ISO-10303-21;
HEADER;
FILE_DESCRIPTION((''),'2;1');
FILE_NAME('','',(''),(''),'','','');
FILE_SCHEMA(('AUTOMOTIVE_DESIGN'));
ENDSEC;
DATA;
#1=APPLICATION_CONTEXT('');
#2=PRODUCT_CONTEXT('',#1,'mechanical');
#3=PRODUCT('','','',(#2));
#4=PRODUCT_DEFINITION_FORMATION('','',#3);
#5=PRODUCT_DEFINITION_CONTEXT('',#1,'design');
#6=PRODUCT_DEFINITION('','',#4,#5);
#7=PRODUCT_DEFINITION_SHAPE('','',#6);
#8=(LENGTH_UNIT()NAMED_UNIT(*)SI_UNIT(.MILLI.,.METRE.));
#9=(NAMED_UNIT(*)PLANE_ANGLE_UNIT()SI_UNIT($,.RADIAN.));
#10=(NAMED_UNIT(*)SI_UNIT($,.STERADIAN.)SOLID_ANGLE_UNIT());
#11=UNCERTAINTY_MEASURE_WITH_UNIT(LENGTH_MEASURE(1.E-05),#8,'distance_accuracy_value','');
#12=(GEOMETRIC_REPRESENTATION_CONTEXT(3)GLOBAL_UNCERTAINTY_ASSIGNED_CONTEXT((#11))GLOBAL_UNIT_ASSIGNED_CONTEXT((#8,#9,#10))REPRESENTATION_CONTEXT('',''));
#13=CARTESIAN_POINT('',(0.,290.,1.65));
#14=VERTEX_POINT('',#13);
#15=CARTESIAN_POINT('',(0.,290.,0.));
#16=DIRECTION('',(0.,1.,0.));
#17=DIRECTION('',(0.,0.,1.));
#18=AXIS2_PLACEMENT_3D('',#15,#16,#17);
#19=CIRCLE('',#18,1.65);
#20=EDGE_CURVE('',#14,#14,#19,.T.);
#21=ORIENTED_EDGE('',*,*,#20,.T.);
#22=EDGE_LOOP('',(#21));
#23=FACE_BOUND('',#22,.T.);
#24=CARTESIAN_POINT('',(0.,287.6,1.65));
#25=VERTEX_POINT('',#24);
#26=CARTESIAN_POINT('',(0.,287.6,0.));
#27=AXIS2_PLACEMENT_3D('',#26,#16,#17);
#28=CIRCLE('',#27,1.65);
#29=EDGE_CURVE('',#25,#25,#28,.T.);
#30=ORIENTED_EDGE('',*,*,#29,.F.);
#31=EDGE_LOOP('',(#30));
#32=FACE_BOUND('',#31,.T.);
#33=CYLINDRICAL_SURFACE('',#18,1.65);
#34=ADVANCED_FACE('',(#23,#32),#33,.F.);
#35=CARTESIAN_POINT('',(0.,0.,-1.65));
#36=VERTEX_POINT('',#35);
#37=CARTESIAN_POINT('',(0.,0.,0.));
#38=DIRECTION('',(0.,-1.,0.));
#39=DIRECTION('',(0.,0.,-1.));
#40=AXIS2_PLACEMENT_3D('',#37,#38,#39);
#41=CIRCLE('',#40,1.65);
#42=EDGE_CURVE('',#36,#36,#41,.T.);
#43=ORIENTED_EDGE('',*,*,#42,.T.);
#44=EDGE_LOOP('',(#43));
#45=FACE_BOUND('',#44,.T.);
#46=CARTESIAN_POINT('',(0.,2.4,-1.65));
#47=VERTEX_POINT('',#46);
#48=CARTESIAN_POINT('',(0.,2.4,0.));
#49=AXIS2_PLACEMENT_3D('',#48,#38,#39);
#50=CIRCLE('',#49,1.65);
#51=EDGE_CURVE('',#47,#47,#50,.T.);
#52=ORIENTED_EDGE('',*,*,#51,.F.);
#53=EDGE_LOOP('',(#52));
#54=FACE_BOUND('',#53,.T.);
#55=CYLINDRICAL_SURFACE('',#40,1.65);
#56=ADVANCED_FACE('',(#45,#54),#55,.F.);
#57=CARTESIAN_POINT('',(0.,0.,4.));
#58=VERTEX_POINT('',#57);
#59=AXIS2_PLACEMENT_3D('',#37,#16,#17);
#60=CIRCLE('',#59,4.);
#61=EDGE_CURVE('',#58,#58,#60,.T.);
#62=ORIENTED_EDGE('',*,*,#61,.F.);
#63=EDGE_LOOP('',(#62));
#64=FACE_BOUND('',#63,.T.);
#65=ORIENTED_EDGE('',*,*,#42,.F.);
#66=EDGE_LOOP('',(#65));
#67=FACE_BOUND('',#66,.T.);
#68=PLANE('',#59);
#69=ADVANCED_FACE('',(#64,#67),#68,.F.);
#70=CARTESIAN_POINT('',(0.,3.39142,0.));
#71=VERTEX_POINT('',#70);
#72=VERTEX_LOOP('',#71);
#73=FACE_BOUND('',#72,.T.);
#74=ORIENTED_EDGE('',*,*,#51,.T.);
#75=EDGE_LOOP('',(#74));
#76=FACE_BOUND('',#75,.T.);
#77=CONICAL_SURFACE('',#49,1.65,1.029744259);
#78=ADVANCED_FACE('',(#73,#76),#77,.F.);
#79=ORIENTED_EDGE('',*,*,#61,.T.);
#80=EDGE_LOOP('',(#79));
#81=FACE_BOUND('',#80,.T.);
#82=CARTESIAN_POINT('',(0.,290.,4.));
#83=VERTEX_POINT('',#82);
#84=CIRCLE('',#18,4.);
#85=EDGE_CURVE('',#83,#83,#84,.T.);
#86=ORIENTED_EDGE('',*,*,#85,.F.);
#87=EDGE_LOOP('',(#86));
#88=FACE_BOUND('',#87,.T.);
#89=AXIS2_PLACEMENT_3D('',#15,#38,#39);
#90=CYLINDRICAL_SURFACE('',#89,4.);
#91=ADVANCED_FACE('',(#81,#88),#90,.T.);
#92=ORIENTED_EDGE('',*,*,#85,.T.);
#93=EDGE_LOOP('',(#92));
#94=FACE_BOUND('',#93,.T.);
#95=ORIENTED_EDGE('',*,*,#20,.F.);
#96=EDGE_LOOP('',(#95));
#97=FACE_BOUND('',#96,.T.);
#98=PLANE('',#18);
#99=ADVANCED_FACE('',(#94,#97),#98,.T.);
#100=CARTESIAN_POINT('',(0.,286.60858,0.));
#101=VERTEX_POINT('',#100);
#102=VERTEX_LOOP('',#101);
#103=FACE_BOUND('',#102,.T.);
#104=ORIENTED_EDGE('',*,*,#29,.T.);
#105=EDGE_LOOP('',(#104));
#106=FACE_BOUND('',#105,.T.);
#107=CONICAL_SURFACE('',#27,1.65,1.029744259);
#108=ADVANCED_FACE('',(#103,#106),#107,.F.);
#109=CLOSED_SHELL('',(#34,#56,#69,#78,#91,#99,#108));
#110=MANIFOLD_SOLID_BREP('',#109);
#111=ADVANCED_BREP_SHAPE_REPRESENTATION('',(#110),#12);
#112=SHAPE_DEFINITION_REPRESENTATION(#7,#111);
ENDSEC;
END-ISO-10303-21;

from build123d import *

# Parameters (mm, degrees)
SKETCH3_R             = 4
BOSS_EXTRUDE1_DEPTH   = 290
M4_TAPPED_HOLE1_D     = 3.3
M4_TAPPED_HOLE1_DEPTH = 2.4
M4_TAPPED_HOLE1_TIP   = 0.991420021
M4_TAPPED_HOLE2_D     = 3.3
M4_TAPPED_HOLE2_DEPTH = 2.4
M4_TAPPED_HOLE2_TIP   = 0.991420021


with BuildPart() as part:
    # Sketch3 → Boss-Extrude1 (new body)
    with BuildSketch(Plane(origin=(0, 0, 0), x_dir=(1, 0, 0), z_dir=(0, 1, 0))):
        Circle(SKETCH3_R)
    extrude(amount=BOSS_EXTRUDE1_DEPTH)

    # M4 Tapped Hole1
    with Locations(Plane(origin=(0, 290, 0), x_dir=(1, 0, 0), z_dir=(0, 1, 0))):
        with Locations((0, 0)):
            Hole(M4_TAPPED_HOLE1_D / 2, depth=M4_TAPPED_HOLE1_DEPTH)
            with Locations((0, 0, -(M4_TAPPED_HOLE1_DEPTH + M4_TAPPED_HOLE1_TIP / 2))):  # 118° drill point
                Cone(0, M4_TAPPED_HOLE1_D / 2, M4_TAPPED_HOLE1_TIP, mode=Mode.SUBTRACT)

    # M4 Tapped Hole2
    with Locations(Plane(origin=(0, 0, 0), x_dir=(-1, 0, 0), z_dir=(0, -1, 0))):
        with Locations((0, 0)):
            Hole(M4_TAPPED_HOLE2_D / 2, depth=M4_TAPPED_HOLE2_DEPTH)
            with Locations((0, 0, -(M4_TAPPED_HOLE2_DEPTH + M4_TAPPED_HOLE2_TIP / 2))):  # 118° drill point
                Cone(0, M4_TAPPED_HOLE2_D / 2, M4_TAPPED_HOLE2_TIP, mode=Mode.SUBTRACT)


solid = part.part
